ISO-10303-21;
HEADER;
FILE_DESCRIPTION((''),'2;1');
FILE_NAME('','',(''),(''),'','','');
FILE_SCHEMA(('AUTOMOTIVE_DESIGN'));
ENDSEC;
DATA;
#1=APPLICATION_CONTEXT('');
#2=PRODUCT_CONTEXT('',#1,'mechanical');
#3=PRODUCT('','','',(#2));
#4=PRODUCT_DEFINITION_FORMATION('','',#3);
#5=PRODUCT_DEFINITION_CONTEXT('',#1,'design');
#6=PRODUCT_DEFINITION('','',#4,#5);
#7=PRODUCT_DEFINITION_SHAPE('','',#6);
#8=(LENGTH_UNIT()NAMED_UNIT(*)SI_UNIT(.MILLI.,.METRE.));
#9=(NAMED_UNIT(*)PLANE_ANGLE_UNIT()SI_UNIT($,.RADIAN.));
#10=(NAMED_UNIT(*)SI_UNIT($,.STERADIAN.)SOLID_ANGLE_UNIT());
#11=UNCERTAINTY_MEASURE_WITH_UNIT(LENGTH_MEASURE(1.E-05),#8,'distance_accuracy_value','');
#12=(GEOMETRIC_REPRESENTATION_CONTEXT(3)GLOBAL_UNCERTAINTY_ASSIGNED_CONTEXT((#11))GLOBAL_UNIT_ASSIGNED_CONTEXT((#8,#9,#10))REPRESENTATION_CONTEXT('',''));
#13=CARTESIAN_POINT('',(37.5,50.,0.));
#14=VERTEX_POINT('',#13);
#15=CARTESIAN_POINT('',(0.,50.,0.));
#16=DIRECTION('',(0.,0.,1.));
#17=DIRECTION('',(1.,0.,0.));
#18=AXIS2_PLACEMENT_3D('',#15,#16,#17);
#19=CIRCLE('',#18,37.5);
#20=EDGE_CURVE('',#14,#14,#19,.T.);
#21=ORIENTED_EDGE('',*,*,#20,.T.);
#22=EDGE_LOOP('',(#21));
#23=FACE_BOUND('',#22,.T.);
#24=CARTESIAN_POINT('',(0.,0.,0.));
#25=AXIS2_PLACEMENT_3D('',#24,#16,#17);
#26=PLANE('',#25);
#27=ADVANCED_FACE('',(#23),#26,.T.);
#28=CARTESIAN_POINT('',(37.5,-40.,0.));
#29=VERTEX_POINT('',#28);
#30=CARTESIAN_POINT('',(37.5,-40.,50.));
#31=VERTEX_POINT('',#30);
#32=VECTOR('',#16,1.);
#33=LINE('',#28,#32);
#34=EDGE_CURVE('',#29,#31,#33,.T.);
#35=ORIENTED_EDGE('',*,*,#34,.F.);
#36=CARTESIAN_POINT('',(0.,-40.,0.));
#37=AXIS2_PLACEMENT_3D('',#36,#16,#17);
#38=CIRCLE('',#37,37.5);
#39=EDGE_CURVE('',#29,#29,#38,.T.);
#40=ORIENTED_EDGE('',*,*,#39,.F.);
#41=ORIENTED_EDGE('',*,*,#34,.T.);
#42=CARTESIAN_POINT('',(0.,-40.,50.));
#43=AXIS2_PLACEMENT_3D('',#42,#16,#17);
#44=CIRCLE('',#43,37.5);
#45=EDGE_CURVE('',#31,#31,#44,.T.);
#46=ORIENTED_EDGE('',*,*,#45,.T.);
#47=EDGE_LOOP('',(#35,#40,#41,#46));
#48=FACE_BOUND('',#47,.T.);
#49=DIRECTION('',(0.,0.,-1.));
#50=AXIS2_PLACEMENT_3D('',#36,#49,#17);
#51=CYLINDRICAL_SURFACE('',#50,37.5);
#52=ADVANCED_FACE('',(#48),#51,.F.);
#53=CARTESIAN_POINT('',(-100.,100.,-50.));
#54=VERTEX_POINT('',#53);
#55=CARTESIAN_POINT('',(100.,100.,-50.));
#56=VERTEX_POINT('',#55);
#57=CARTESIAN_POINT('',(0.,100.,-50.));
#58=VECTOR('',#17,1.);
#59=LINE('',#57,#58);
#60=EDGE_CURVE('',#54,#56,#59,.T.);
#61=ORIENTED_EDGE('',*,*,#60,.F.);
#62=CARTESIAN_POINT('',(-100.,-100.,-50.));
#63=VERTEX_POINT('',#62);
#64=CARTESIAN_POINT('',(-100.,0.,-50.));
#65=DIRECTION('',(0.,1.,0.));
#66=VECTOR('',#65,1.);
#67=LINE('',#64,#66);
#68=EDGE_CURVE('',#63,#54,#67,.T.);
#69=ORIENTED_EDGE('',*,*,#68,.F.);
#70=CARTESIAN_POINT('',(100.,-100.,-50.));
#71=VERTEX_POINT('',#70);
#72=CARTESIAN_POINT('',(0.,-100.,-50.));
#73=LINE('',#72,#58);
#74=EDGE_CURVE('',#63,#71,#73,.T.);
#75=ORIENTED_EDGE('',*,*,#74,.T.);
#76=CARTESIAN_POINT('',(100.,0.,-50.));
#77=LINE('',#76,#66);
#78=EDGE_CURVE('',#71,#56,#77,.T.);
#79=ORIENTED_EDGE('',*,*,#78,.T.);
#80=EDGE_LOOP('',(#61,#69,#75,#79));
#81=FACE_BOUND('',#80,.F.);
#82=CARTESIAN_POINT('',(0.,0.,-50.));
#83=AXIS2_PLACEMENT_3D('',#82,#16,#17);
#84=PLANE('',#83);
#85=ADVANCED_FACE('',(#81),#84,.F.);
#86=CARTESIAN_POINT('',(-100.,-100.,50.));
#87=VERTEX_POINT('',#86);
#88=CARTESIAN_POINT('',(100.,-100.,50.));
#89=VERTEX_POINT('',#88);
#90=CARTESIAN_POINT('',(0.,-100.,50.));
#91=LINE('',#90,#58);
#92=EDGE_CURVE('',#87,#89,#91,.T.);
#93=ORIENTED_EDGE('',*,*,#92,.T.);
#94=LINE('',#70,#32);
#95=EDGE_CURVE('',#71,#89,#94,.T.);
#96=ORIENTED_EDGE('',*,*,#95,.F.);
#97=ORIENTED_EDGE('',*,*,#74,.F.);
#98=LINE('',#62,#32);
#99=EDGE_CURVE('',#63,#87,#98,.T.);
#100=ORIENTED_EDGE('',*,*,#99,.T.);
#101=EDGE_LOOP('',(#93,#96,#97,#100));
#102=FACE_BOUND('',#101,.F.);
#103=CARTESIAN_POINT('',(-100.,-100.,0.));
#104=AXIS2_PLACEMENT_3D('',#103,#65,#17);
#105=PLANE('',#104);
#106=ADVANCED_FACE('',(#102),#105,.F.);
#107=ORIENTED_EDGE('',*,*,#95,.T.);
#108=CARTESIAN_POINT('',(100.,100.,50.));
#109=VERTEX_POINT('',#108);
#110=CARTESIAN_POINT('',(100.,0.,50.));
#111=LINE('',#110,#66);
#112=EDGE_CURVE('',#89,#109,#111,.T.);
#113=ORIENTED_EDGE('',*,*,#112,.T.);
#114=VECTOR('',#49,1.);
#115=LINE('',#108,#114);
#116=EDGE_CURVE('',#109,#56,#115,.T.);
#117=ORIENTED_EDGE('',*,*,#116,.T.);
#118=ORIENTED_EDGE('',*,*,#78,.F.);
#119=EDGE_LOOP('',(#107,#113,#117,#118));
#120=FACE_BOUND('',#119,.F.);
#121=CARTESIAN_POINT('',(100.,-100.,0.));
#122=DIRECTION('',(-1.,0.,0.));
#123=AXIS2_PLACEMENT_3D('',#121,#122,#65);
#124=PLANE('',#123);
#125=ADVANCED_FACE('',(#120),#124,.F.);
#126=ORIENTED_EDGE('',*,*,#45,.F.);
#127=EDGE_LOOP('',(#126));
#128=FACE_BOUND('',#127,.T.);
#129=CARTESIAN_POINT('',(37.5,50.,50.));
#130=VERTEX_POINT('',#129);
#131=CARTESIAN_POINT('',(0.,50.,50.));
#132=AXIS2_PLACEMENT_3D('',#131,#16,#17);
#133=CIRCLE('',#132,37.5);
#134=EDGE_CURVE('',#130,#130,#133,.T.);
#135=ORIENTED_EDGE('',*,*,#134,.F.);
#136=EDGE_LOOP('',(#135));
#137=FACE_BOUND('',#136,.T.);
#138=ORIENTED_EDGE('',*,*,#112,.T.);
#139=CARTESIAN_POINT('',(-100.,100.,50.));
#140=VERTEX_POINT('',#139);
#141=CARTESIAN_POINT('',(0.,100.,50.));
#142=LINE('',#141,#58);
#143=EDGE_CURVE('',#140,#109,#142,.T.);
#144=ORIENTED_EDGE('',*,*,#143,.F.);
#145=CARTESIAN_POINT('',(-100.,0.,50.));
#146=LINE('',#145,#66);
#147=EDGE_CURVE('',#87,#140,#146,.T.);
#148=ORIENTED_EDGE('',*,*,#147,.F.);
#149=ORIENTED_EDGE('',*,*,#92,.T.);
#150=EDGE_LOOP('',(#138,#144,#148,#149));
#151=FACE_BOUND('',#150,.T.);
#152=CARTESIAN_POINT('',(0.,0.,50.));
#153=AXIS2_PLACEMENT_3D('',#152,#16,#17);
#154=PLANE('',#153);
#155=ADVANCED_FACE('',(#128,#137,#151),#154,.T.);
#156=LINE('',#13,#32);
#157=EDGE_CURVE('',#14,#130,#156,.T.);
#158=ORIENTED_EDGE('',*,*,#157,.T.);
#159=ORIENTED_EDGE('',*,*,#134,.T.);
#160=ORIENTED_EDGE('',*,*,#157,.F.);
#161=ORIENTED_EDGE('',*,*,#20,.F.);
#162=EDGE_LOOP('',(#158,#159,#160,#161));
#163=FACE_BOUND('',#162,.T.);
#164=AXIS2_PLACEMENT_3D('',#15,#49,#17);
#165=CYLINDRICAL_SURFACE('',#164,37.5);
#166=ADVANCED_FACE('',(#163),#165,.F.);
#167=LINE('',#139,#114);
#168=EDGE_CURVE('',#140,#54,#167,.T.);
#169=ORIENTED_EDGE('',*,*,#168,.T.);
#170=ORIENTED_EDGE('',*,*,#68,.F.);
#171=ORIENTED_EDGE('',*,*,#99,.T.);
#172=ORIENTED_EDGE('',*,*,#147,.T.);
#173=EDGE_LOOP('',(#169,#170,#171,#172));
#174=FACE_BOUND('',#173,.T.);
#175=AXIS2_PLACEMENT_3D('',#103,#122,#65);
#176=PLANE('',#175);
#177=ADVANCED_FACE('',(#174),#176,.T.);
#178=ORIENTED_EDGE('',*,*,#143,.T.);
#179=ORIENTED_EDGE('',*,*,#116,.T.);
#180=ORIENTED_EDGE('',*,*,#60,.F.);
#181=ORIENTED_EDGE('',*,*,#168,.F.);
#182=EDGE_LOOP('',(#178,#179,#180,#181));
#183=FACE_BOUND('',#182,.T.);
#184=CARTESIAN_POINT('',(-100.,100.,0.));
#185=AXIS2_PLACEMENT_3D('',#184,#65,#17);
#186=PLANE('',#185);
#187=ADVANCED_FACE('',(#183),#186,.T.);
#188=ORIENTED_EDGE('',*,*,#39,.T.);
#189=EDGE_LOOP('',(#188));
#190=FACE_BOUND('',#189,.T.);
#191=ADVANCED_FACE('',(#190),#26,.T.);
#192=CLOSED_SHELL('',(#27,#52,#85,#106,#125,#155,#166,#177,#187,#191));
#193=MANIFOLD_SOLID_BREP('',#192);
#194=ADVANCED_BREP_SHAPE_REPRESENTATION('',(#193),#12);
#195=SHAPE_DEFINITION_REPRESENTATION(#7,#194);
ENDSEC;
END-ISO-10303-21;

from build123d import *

# Parameters (mm, degrees)
F2_W     = 200
F2_H     = 200
F2_R     = 37.5
F3_DEPTH = 50
F4_DEPTH = 50


with BuildPart() as f3:
    # F2 (on Top) → F3 (new body)
    with BuildSketch(Plane.XY):
        Rectangle(F2_W, F2_H)
        with Locations((0, -40)):
            Circle(F2_R, mode=Mode.SUBTRACT)
        with Locations((0, 50)):
            Circle(F2_R, mode=Mode.SUBTRACT)
        with Locations((0, -40)):
            Circle(F2_R)
        with Locations((0, 50)):
            Circle(F2_R)
    extrude(amount=-F3_DEPTH)

    # F2 (on Top) → F4 (join)
    with BuildSketch(Plane.XY):
        Rectangle(F2_W, F2_H)
        with Locations((0, -40)):
            Circle(F2_R, mode=Mode.SUBTRACT)
        with Locations((0, 50)):
            Circle(F2_R, mode=Mode.SUBTRACT)
    extrude(amount=F4_DEPTH)


solid = f3.part
